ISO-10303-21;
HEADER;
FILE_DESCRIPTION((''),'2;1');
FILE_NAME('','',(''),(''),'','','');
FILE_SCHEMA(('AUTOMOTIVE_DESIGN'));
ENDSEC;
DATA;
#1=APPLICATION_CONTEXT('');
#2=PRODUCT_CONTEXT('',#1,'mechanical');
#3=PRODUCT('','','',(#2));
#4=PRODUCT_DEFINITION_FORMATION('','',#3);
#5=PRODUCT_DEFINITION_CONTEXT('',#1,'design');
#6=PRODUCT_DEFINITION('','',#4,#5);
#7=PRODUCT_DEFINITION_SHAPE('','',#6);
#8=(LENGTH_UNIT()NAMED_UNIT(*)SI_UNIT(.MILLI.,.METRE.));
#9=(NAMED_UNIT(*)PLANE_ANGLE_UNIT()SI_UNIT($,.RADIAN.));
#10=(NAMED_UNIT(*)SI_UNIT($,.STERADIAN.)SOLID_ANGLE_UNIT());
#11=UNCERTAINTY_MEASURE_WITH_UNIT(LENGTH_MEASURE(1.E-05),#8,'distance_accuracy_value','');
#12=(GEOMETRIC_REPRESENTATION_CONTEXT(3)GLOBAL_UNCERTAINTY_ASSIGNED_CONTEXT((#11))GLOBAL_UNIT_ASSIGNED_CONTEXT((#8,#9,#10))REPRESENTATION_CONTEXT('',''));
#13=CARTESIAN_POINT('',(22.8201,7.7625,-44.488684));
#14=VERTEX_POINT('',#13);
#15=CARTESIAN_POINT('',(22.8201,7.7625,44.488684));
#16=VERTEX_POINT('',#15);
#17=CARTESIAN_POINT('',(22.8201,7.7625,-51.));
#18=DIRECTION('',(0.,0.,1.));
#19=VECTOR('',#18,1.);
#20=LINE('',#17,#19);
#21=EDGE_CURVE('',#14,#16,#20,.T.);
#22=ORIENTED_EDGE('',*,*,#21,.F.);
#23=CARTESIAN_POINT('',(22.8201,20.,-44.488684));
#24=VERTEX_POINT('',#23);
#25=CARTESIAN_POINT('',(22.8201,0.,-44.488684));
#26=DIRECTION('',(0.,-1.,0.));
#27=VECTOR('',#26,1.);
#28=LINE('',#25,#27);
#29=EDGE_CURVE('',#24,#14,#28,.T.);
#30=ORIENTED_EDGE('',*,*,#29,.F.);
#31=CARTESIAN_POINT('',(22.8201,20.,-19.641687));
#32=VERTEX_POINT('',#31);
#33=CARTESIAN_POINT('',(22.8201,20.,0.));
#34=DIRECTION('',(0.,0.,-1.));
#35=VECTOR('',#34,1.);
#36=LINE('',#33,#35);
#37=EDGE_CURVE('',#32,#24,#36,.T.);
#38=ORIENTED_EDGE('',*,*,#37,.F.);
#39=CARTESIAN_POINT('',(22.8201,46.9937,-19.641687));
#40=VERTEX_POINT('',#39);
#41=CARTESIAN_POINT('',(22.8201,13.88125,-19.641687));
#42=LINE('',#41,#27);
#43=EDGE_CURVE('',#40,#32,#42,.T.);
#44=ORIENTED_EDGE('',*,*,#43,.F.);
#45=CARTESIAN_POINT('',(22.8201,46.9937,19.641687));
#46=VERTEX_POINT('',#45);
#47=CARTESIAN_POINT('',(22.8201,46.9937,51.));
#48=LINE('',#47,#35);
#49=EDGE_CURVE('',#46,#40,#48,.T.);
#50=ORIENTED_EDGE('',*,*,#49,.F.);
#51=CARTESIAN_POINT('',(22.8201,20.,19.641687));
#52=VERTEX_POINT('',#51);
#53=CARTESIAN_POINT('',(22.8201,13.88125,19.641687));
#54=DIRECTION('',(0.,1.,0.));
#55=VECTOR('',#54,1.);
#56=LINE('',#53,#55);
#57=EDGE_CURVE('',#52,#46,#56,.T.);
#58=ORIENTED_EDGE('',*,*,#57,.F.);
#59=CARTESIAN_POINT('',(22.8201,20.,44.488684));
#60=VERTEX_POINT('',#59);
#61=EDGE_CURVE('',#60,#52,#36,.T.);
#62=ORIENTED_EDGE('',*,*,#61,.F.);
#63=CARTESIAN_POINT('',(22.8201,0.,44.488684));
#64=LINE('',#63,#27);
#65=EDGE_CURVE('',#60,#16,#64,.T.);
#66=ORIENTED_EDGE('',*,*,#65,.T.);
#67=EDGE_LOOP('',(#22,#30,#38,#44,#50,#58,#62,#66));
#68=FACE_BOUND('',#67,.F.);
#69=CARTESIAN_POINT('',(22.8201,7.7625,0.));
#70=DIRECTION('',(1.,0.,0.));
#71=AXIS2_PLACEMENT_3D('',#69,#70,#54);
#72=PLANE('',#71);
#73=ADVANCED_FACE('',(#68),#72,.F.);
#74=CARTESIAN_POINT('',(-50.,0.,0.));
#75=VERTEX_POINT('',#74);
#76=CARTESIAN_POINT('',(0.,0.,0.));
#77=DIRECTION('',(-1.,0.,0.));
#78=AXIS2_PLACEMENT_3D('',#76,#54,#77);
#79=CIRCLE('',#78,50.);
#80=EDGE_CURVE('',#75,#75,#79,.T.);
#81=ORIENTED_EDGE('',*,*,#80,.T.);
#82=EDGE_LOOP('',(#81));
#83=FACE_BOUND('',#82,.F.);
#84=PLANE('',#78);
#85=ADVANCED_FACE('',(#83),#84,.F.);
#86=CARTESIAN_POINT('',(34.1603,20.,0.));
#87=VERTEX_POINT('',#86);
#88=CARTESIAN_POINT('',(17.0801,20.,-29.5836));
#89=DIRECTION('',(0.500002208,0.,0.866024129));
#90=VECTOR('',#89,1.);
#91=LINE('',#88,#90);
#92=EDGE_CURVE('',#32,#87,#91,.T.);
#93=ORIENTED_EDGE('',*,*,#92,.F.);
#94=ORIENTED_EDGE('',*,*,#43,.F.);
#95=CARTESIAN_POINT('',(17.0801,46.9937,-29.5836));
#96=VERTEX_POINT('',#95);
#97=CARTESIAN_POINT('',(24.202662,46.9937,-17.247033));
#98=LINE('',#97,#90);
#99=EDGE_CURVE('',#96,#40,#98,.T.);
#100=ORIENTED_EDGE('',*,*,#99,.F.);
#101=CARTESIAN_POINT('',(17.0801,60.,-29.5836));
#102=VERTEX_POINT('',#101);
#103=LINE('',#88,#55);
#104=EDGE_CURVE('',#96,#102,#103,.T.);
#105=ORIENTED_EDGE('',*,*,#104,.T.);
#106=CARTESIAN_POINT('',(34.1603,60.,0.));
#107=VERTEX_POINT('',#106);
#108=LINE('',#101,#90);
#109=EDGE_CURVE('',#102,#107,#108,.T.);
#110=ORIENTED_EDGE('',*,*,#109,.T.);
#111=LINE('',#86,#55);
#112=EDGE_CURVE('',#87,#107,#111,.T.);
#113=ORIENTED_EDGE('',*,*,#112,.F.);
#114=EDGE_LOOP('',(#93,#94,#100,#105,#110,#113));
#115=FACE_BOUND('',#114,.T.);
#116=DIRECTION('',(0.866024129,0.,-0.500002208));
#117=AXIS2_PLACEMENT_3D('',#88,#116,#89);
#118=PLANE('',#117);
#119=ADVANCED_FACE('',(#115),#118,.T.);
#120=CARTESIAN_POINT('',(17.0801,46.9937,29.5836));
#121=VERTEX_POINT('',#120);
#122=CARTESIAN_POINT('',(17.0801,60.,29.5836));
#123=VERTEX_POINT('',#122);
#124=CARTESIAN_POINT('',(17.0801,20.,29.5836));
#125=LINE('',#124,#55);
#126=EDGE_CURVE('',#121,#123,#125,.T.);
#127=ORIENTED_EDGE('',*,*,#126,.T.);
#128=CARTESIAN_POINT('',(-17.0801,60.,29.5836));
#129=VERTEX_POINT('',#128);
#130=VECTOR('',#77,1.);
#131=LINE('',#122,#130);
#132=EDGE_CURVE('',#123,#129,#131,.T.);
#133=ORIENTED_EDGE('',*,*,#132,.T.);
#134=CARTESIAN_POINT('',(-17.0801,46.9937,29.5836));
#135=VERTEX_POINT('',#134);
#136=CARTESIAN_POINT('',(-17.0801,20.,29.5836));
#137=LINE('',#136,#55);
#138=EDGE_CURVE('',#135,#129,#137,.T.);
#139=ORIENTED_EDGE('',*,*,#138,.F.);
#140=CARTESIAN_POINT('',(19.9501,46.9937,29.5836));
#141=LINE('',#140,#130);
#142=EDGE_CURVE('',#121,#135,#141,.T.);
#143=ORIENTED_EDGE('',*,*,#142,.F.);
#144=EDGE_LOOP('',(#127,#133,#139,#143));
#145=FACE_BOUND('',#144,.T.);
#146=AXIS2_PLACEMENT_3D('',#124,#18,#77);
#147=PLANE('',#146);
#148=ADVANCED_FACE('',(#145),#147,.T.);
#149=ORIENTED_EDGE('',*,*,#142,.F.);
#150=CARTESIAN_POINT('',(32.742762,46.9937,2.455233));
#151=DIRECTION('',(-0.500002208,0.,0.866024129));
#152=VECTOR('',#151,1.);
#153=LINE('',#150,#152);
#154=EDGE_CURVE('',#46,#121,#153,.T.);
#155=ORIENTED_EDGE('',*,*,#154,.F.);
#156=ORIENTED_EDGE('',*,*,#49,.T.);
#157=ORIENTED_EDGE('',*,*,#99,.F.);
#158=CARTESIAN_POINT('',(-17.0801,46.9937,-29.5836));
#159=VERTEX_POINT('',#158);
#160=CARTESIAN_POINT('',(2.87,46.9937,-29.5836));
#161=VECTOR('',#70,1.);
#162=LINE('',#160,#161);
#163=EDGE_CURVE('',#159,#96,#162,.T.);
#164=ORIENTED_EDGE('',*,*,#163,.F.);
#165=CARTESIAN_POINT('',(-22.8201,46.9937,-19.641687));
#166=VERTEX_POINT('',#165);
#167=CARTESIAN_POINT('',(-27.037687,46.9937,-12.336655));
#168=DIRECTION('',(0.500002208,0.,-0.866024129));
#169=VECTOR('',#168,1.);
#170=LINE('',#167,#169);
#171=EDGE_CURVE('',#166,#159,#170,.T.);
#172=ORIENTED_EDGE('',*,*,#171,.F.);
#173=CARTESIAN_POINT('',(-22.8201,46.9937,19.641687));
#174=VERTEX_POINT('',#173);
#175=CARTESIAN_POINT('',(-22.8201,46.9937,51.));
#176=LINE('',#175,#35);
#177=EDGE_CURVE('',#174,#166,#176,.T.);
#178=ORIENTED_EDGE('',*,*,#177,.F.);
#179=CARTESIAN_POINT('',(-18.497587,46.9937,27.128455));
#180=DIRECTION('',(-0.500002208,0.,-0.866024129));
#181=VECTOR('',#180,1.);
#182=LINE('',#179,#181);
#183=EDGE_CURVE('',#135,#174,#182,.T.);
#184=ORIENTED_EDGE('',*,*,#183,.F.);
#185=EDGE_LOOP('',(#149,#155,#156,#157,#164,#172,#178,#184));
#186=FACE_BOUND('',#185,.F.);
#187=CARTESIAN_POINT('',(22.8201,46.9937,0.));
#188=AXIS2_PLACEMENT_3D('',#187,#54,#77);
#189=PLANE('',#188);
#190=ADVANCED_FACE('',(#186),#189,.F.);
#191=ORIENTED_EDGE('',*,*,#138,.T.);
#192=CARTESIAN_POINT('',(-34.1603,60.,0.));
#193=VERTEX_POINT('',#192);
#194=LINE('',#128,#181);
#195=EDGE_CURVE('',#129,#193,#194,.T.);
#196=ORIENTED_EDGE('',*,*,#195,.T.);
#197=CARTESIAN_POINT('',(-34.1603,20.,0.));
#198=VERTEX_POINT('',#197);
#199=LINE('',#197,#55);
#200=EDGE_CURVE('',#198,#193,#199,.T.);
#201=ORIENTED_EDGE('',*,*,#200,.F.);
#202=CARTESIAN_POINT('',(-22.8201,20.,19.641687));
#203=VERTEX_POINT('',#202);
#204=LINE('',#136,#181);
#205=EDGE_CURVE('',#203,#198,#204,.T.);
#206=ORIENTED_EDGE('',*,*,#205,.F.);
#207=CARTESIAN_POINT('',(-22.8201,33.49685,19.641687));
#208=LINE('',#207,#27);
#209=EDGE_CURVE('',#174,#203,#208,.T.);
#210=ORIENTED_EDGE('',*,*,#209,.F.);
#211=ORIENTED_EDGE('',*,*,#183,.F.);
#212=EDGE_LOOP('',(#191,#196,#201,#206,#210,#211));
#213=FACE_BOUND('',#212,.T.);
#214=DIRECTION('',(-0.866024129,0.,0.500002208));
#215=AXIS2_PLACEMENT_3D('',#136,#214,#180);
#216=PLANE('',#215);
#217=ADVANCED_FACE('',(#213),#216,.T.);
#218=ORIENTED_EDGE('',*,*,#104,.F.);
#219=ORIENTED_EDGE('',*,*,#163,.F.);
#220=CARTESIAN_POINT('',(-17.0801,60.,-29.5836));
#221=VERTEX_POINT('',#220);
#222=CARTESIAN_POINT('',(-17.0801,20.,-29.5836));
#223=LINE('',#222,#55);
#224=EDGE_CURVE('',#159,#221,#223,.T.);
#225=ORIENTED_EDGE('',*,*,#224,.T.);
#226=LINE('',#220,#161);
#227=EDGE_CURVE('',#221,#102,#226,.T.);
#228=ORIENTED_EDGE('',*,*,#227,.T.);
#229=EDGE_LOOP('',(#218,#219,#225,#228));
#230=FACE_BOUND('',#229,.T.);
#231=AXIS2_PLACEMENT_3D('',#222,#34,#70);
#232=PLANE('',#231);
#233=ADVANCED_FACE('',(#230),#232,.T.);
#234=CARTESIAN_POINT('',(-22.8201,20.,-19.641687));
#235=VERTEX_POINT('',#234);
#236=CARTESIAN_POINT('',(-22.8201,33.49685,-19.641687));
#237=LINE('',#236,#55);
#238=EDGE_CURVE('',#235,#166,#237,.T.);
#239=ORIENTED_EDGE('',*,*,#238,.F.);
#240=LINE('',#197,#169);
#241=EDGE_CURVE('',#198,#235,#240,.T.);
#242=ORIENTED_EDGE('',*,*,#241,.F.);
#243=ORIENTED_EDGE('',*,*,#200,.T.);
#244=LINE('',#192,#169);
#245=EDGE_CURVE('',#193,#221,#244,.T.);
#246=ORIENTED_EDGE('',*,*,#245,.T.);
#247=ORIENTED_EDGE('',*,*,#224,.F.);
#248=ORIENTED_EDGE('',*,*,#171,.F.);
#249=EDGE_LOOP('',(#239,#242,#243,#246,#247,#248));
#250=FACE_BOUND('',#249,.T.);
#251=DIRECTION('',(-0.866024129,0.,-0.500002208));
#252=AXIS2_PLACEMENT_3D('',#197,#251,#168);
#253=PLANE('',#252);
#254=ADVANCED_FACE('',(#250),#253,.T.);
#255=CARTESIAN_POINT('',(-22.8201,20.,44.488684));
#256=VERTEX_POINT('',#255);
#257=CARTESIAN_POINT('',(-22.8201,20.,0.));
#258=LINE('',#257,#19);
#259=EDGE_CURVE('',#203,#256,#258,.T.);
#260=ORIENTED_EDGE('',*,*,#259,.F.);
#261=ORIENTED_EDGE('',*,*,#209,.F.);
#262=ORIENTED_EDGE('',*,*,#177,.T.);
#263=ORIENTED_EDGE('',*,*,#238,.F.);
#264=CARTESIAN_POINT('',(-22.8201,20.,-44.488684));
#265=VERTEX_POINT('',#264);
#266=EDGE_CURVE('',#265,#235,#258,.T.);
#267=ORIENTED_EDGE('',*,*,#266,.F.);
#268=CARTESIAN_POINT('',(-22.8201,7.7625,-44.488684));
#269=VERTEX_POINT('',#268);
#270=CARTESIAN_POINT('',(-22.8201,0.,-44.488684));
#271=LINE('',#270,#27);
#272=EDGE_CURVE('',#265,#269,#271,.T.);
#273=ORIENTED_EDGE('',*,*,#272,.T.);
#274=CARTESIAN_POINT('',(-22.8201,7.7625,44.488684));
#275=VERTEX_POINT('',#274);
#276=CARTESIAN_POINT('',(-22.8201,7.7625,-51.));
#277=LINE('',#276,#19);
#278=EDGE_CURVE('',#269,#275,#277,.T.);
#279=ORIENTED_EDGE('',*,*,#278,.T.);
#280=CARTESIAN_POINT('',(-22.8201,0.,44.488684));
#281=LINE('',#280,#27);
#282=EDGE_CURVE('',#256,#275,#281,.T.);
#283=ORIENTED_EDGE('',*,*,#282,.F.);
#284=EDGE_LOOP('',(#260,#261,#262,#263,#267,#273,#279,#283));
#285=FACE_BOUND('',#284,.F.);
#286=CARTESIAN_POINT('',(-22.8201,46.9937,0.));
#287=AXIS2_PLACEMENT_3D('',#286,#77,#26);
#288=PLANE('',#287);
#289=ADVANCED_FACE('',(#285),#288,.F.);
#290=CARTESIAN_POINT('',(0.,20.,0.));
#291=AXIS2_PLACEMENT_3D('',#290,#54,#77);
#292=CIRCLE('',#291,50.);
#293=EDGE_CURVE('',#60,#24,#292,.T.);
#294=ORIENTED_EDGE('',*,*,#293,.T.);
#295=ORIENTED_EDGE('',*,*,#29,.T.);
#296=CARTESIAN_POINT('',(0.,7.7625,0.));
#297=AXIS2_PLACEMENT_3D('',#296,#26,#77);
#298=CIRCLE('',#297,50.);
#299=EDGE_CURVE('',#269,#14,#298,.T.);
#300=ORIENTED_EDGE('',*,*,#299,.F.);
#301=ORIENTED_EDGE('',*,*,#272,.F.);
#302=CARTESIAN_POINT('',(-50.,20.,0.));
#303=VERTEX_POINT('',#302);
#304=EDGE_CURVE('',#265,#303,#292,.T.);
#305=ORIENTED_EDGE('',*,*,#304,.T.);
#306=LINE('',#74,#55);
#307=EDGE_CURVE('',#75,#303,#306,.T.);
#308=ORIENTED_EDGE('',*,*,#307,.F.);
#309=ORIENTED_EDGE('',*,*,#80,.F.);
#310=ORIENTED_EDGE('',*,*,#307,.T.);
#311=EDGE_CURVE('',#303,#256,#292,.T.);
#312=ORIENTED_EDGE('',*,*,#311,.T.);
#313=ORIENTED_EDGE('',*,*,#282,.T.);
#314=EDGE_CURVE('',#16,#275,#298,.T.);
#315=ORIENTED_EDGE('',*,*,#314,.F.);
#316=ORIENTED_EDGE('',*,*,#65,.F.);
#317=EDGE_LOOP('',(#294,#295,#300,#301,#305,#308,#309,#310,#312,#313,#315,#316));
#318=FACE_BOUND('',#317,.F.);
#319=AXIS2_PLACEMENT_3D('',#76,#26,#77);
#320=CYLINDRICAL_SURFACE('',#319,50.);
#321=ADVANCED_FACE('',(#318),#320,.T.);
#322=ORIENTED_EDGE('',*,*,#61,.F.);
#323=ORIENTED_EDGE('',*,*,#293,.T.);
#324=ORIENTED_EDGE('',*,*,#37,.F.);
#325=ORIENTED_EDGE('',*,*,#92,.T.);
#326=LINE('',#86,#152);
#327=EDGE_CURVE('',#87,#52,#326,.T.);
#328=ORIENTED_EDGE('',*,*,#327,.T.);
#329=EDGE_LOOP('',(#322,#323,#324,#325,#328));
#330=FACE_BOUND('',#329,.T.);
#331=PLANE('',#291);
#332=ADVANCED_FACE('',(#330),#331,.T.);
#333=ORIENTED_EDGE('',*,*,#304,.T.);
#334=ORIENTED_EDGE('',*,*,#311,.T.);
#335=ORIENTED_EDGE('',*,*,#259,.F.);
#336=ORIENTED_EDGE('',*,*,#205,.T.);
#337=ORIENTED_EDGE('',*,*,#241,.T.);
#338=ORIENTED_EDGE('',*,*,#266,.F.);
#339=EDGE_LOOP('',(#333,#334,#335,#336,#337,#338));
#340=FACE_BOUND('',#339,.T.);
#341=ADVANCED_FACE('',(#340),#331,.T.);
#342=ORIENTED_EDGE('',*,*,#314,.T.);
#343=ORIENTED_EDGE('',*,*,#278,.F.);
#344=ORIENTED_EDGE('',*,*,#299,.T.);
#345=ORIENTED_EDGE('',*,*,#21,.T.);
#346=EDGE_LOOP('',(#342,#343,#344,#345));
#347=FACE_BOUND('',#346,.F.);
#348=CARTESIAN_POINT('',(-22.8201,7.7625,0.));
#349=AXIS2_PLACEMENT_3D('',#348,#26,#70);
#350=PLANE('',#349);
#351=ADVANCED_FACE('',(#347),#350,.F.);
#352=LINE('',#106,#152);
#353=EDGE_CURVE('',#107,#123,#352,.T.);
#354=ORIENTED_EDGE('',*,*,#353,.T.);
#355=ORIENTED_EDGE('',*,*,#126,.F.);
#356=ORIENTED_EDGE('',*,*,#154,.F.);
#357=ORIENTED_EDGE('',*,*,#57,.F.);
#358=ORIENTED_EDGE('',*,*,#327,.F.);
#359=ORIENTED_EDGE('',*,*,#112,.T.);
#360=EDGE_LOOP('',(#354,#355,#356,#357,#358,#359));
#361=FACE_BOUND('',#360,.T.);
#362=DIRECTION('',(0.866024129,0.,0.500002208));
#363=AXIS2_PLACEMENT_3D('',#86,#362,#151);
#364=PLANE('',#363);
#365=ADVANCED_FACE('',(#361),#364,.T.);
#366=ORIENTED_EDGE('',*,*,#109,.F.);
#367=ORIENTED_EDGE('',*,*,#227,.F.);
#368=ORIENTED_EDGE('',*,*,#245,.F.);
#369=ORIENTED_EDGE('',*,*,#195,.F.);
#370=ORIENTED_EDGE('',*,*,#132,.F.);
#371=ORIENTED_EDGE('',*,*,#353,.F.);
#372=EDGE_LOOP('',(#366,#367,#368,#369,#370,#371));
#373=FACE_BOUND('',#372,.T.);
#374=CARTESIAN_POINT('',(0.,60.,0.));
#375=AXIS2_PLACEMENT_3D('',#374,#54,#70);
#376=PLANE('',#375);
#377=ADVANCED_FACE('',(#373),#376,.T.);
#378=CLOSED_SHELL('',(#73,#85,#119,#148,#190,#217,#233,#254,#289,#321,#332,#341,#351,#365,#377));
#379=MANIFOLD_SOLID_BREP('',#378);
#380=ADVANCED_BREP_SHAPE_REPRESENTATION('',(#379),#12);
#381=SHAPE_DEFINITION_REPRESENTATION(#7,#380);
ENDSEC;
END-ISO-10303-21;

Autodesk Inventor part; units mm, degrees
ref_plane "YZ Plane" through (0, 0, 0) normal (1, 0, 0) x (0, 1, 0)
ref_plane "XZ Plane" through (0, 0, 0) normal (0, 1, 0) x (-1, 0, 0)
ref_plane "XY Plane" through (0, 0, 0) normal (0, 0, 1) x (1, 0, 0)
sketch "Эскиз1" plane through (0, 0, 0) normal (0, 1, 0) x (-1, 0, 0)
  circle A0 centre (0, 0) radius 50
  dimension "d0" = 100
extrude "Выдавливание1" add sketch "Эскиз1" along normal blind 20
sketch "Эскиз2" plane through (0, 20, 0) normal (0, 1, 0) x (1, 0, 0)
  line L0 (17.0801, 29.5836) -> (34.1603, 0)
  line L1 (34.1603, 0) -> (17.0801, -29.5836)
  line L2 (17.0801, -29.5836) -> (-17.0801, -29.5836)
  line L3 (-17.0801, -29.5836) -> (-34.1603, 0)
  line L4 (-34.1603, 0) -> (-17.0801, 29.5836)
  line L5 (-17.0801, 29.5836) -> (17.0801, 29.5836)
  point P0 (0, 0)
  point P1 (0, 0)
extrude "Выдавливание2" add sketch "Эскиз2" along normal blind 40
sketch "Эскиз3" plane through (0, 0, 0) normal (0, 0, 1) x (1, 0, 0)
  line L0 (-22.8201, 7.7625) -> (22.8201, 7.7625)
  line L1 (22.8201, 7.7625) -> (22.8201, 46.9937)
  line L2 (22.8201, 46.9937) -> (-22.8201, 46.9937)
  line L3 (-22.8201, 46.9937) -> (-22.8201, 7.7625)
  line L4 (-22.8201, 7.7625) -> (22.8201, 46.9937) construction
  line L5 (22.8201, 7.7625) -> (-22.8201, 46.9937) construction
  point P0 (0, 0)
  point P1 (0, 27.3781)
extrude "Выдавливание3" cut sketch "Эскиз3" against normal through all both and the other way through all
sketch "Эскиз4" plane through (0, 0, 0) normal (1, 0, 0) x (0, 1, 0)
  point P0 (0, 0)
